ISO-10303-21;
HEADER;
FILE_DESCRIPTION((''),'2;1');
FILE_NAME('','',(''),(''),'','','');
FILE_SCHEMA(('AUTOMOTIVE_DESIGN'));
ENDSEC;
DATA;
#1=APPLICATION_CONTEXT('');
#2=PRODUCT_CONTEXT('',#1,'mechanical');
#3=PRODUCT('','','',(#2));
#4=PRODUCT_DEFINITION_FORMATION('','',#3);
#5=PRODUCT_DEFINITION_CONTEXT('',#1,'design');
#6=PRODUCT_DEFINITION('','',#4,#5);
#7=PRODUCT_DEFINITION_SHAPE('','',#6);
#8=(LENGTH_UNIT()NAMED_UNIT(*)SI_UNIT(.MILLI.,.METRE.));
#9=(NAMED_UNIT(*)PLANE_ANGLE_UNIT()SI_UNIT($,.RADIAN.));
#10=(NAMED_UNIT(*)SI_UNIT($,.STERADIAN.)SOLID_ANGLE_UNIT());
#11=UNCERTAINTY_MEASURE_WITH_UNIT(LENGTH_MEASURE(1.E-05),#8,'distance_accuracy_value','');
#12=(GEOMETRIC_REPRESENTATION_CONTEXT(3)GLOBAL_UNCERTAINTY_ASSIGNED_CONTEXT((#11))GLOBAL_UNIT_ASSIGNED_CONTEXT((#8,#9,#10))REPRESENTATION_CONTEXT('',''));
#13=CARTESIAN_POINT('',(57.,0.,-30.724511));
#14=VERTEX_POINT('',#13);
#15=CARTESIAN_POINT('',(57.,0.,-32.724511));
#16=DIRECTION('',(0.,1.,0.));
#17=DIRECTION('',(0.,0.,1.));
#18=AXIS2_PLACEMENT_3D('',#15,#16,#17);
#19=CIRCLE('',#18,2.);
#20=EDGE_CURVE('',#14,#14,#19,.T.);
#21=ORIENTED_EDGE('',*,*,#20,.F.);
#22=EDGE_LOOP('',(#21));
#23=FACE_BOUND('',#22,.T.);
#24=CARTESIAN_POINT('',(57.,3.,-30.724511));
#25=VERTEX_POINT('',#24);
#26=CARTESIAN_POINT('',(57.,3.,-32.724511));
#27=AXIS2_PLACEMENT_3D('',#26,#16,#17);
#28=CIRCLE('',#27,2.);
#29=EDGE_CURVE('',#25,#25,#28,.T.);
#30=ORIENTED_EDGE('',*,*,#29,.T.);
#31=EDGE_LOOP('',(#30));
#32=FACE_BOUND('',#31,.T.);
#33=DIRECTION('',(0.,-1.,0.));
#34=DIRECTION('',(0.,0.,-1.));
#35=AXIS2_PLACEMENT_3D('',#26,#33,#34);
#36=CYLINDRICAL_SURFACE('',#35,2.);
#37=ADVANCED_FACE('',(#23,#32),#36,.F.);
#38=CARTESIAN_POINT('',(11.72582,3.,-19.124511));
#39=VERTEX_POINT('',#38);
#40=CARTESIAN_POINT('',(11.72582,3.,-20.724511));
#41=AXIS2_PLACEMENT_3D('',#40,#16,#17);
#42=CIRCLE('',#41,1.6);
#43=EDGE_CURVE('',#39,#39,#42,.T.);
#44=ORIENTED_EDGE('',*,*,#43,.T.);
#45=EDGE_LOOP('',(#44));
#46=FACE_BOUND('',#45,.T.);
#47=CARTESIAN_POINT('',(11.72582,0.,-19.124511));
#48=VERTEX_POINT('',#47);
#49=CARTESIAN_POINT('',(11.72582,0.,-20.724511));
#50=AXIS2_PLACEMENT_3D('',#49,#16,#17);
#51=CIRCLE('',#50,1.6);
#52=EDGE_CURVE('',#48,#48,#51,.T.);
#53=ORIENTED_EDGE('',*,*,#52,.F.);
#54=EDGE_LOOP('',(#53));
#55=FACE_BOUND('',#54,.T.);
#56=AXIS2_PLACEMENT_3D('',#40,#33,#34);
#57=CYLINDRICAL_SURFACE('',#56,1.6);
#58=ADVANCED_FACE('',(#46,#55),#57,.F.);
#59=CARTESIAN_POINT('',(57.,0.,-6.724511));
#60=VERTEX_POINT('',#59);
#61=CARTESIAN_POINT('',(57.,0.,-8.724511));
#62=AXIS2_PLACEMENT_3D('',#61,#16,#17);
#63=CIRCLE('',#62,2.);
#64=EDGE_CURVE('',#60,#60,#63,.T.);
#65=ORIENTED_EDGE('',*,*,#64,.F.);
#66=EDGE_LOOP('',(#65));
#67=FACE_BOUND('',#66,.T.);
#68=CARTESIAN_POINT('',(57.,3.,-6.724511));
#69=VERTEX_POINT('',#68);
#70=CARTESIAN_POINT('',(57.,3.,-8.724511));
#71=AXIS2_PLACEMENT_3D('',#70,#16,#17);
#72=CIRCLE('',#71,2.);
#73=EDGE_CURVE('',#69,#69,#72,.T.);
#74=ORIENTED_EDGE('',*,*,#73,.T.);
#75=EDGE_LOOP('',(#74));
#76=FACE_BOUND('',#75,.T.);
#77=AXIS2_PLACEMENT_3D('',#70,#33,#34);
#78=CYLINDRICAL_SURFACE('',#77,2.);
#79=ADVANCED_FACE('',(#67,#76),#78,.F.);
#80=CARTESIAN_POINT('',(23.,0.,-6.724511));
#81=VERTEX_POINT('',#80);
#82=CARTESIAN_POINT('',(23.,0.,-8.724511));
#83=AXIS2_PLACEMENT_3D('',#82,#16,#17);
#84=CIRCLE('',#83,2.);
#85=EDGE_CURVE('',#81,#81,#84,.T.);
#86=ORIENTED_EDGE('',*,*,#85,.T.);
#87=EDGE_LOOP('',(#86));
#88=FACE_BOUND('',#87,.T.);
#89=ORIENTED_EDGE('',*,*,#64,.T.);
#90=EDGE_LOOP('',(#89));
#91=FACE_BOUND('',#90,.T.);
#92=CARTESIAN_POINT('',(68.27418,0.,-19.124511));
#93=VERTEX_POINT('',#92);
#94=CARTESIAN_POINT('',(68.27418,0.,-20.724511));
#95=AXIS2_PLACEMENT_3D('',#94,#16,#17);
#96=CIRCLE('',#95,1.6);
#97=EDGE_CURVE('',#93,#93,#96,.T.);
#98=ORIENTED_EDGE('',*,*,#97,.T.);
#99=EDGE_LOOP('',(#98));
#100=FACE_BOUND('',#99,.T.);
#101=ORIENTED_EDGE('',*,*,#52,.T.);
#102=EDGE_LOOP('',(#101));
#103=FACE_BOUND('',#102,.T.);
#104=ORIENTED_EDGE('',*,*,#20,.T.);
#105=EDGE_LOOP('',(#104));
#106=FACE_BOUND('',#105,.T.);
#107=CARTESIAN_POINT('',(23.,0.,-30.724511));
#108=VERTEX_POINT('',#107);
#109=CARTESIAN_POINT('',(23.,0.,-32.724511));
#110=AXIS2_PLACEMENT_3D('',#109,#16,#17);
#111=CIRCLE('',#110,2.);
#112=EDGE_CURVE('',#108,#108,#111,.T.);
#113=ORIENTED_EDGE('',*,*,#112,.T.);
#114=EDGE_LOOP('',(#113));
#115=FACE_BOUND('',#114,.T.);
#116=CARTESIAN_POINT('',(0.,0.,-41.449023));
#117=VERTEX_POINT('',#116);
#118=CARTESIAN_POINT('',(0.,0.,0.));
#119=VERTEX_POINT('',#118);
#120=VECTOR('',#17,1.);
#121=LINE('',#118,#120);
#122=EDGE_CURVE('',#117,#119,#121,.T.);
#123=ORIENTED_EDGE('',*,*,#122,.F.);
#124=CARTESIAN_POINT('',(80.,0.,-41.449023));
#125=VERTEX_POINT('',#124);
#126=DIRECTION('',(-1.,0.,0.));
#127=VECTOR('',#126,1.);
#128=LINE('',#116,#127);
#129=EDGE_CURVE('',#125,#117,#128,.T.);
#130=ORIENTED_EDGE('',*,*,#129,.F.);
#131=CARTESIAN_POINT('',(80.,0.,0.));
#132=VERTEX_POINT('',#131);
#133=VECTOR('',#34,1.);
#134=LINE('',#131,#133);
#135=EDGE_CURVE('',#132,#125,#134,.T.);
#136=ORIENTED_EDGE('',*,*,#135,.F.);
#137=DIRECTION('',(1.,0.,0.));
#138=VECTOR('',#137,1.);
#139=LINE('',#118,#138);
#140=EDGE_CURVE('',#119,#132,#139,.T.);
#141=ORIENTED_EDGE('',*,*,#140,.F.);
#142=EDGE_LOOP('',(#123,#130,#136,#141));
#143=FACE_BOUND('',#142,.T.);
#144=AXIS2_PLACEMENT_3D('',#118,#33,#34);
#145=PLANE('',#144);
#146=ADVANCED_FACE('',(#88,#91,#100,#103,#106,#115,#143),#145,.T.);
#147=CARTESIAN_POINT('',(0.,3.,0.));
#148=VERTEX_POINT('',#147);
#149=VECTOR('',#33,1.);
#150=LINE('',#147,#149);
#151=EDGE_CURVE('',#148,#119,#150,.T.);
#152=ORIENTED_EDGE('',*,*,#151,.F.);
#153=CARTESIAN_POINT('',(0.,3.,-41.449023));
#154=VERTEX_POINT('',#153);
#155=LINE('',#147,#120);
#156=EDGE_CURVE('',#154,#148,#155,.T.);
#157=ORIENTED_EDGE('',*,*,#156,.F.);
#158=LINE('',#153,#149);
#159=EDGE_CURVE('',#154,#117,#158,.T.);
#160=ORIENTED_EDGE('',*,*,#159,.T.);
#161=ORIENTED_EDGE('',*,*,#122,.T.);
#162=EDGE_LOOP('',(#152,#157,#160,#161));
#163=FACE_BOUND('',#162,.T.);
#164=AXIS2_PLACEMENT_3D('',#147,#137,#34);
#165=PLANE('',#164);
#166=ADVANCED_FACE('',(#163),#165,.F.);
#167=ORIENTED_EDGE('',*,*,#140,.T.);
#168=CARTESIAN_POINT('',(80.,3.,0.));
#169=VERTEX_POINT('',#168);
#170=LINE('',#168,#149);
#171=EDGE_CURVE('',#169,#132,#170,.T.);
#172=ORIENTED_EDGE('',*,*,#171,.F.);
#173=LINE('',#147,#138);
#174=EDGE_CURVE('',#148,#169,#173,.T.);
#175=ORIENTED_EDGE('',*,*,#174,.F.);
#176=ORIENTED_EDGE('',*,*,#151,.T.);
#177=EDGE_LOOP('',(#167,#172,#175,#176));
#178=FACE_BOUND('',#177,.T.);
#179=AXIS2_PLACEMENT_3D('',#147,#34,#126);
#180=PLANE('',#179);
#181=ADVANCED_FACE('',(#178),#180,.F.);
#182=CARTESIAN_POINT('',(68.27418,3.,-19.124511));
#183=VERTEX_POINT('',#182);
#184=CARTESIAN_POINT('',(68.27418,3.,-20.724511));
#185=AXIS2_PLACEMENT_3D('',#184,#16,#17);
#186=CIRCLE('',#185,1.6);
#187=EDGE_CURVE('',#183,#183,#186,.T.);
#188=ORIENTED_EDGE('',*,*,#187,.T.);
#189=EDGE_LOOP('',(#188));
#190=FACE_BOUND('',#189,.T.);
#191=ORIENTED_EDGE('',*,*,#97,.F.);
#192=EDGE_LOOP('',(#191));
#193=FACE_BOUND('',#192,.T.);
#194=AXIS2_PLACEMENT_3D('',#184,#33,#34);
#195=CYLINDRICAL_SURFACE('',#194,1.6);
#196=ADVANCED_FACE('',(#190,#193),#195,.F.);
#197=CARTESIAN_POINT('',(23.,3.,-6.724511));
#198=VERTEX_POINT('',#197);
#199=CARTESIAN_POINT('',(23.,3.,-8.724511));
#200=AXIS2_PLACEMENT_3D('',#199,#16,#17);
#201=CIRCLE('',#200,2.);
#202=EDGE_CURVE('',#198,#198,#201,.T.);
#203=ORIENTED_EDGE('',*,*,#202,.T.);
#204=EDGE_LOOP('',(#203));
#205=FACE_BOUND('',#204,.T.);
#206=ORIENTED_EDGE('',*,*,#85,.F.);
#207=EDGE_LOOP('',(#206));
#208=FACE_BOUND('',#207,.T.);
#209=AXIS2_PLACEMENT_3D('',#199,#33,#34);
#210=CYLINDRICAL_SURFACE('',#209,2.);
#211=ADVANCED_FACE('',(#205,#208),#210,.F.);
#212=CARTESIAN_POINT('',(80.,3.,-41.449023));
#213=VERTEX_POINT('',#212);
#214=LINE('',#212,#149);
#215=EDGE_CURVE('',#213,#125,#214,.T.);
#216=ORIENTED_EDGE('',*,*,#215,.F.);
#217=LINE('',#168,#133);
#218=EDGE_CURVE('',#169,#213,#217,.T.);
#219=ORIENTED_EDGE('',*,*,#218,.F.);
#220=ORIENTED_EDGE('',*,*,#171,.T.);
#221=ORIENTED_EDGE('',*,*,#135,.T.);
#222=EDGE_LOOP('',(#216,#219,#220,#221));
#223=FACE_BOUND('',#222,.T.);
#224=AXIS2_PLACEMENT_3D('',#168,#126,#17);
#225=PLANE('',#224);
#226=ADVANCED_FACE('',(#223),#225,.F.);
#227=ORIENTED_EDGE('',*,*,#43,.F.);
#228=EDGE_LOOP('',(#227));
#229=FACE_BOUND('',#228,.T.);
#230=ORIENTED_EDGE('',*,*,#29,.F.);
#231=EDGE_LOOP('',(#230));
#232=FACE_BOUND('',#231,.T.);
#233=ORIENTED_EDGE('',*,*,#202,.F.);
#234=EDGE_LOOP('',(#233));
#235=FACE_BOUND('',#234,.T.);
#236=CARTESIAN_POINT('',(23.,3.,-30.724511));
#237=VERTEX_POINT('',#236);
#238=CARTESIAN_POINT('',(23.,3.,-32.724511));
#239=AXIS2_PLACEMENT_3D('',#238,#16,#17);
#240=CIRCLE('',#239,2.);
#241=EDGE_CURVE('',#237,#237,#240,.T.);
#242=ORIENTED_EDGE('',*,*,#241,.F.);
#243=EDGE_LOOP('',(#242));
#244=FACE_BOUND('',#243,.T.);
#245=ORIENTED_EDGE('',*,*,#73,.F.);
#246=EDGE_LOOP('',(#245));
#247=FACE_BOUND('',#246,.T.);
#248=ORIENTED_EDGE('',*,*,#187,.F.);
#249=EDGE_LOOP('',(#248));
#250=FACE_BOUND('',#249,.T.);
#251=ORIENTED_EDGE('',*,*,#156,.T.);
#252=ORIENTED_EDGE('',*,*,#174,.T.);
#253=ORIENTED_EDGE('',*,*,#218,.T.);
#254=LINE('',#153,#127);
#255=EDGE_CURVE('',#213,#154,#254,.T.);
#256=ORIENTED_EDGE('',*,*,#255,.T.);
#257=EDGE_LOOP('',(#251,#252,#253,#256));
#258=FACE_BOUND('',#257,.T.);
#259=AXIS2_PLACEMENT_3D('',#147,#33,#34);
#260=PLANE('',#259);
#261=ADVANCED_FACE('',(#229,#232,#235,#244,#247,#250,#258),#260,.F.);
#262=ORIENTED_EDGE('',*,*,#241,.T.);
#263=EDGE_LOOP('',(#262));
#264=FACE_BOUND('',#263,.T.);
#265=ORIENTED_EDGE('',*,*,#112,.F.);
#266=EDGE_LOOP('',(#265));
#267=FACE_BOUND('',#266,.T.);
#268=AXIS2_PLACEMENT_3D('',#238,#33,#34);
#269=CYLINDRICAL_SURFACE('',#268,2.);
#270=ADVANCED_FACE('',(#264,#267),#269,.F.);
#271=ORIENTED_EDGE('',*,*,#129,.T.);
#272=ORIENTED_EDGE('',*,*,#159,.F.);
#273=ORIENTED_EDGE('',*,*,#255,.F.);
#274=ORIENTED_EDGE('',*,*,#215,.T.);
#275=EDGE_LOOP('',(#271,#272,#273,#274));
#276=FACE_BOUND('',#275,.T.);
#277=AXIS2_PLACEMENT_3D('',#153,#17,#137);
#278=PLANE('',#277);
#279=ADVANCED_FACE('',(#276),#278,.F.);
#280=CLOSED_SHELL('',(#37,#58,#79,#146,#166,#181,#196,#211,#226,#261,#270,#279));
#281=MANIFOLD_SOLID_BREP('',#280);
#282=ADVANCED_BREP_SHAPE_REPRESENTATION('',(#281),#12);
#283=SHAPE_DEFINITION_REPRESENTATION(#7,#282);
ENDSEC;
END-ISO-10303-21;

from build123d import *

# Parameters (mm, degrees)
SKETCH1_W           = 80
SKETCH1_H           = 41.449022954
SKETCH1_R           = 2
SKETCH1_R_2         = 1.6
BOSS_EXTRUDE1_DEPTH = 3


with BuildPart() as part:
    # Sketch1 → Boss-Extrude1 (new body)
    with BuildSketch(Plane(origin=(0, 0, 0), x_dir=(1, 0, 0), z_dir=(0, 1, 0))):
        with Locations((40, 20.724511477)):
            Rectangle(SKETCH1_W, SKETCH1_H)
        with Locations(Location((23, 32.724511477, 0), (0, 0, 270))):
            Circle(SKETCH1_R, mode=Mode.SUBTRACT)
        with Locations(Location((57, 32.724511477, 0), (0, 0, 270))):
            Circle(SKETCH1_R, mode=Mode.SUBTRACT)
        with Locations(Location((23, 8.724511477, 0), (0, 0, 270))):
            Circle(SKETCH1_R, mode=Mode.SUBTRACT)
        with Locations(Location((57, 8.724511477, 0), (0, 0, 270))):
            Circle(SKETCH1_R, mode=Mode.SUBTRACT)
        with Locations(Location((11.725819634, 20.724511477, 0), (0, 0, 270))):
            Circle(SKETCH1_R_2, mode=Mode.SUBTRACT)
        with Locations(Location((68.274180366, 20.724511477, 0), (0, 0, 270))):
            Circle(SKETCH1_R_2, mode=Mode.SUBTRACT)
    extrude(amount=BOSS_EXTRUDE1_DEPTH)


solid = part.part
